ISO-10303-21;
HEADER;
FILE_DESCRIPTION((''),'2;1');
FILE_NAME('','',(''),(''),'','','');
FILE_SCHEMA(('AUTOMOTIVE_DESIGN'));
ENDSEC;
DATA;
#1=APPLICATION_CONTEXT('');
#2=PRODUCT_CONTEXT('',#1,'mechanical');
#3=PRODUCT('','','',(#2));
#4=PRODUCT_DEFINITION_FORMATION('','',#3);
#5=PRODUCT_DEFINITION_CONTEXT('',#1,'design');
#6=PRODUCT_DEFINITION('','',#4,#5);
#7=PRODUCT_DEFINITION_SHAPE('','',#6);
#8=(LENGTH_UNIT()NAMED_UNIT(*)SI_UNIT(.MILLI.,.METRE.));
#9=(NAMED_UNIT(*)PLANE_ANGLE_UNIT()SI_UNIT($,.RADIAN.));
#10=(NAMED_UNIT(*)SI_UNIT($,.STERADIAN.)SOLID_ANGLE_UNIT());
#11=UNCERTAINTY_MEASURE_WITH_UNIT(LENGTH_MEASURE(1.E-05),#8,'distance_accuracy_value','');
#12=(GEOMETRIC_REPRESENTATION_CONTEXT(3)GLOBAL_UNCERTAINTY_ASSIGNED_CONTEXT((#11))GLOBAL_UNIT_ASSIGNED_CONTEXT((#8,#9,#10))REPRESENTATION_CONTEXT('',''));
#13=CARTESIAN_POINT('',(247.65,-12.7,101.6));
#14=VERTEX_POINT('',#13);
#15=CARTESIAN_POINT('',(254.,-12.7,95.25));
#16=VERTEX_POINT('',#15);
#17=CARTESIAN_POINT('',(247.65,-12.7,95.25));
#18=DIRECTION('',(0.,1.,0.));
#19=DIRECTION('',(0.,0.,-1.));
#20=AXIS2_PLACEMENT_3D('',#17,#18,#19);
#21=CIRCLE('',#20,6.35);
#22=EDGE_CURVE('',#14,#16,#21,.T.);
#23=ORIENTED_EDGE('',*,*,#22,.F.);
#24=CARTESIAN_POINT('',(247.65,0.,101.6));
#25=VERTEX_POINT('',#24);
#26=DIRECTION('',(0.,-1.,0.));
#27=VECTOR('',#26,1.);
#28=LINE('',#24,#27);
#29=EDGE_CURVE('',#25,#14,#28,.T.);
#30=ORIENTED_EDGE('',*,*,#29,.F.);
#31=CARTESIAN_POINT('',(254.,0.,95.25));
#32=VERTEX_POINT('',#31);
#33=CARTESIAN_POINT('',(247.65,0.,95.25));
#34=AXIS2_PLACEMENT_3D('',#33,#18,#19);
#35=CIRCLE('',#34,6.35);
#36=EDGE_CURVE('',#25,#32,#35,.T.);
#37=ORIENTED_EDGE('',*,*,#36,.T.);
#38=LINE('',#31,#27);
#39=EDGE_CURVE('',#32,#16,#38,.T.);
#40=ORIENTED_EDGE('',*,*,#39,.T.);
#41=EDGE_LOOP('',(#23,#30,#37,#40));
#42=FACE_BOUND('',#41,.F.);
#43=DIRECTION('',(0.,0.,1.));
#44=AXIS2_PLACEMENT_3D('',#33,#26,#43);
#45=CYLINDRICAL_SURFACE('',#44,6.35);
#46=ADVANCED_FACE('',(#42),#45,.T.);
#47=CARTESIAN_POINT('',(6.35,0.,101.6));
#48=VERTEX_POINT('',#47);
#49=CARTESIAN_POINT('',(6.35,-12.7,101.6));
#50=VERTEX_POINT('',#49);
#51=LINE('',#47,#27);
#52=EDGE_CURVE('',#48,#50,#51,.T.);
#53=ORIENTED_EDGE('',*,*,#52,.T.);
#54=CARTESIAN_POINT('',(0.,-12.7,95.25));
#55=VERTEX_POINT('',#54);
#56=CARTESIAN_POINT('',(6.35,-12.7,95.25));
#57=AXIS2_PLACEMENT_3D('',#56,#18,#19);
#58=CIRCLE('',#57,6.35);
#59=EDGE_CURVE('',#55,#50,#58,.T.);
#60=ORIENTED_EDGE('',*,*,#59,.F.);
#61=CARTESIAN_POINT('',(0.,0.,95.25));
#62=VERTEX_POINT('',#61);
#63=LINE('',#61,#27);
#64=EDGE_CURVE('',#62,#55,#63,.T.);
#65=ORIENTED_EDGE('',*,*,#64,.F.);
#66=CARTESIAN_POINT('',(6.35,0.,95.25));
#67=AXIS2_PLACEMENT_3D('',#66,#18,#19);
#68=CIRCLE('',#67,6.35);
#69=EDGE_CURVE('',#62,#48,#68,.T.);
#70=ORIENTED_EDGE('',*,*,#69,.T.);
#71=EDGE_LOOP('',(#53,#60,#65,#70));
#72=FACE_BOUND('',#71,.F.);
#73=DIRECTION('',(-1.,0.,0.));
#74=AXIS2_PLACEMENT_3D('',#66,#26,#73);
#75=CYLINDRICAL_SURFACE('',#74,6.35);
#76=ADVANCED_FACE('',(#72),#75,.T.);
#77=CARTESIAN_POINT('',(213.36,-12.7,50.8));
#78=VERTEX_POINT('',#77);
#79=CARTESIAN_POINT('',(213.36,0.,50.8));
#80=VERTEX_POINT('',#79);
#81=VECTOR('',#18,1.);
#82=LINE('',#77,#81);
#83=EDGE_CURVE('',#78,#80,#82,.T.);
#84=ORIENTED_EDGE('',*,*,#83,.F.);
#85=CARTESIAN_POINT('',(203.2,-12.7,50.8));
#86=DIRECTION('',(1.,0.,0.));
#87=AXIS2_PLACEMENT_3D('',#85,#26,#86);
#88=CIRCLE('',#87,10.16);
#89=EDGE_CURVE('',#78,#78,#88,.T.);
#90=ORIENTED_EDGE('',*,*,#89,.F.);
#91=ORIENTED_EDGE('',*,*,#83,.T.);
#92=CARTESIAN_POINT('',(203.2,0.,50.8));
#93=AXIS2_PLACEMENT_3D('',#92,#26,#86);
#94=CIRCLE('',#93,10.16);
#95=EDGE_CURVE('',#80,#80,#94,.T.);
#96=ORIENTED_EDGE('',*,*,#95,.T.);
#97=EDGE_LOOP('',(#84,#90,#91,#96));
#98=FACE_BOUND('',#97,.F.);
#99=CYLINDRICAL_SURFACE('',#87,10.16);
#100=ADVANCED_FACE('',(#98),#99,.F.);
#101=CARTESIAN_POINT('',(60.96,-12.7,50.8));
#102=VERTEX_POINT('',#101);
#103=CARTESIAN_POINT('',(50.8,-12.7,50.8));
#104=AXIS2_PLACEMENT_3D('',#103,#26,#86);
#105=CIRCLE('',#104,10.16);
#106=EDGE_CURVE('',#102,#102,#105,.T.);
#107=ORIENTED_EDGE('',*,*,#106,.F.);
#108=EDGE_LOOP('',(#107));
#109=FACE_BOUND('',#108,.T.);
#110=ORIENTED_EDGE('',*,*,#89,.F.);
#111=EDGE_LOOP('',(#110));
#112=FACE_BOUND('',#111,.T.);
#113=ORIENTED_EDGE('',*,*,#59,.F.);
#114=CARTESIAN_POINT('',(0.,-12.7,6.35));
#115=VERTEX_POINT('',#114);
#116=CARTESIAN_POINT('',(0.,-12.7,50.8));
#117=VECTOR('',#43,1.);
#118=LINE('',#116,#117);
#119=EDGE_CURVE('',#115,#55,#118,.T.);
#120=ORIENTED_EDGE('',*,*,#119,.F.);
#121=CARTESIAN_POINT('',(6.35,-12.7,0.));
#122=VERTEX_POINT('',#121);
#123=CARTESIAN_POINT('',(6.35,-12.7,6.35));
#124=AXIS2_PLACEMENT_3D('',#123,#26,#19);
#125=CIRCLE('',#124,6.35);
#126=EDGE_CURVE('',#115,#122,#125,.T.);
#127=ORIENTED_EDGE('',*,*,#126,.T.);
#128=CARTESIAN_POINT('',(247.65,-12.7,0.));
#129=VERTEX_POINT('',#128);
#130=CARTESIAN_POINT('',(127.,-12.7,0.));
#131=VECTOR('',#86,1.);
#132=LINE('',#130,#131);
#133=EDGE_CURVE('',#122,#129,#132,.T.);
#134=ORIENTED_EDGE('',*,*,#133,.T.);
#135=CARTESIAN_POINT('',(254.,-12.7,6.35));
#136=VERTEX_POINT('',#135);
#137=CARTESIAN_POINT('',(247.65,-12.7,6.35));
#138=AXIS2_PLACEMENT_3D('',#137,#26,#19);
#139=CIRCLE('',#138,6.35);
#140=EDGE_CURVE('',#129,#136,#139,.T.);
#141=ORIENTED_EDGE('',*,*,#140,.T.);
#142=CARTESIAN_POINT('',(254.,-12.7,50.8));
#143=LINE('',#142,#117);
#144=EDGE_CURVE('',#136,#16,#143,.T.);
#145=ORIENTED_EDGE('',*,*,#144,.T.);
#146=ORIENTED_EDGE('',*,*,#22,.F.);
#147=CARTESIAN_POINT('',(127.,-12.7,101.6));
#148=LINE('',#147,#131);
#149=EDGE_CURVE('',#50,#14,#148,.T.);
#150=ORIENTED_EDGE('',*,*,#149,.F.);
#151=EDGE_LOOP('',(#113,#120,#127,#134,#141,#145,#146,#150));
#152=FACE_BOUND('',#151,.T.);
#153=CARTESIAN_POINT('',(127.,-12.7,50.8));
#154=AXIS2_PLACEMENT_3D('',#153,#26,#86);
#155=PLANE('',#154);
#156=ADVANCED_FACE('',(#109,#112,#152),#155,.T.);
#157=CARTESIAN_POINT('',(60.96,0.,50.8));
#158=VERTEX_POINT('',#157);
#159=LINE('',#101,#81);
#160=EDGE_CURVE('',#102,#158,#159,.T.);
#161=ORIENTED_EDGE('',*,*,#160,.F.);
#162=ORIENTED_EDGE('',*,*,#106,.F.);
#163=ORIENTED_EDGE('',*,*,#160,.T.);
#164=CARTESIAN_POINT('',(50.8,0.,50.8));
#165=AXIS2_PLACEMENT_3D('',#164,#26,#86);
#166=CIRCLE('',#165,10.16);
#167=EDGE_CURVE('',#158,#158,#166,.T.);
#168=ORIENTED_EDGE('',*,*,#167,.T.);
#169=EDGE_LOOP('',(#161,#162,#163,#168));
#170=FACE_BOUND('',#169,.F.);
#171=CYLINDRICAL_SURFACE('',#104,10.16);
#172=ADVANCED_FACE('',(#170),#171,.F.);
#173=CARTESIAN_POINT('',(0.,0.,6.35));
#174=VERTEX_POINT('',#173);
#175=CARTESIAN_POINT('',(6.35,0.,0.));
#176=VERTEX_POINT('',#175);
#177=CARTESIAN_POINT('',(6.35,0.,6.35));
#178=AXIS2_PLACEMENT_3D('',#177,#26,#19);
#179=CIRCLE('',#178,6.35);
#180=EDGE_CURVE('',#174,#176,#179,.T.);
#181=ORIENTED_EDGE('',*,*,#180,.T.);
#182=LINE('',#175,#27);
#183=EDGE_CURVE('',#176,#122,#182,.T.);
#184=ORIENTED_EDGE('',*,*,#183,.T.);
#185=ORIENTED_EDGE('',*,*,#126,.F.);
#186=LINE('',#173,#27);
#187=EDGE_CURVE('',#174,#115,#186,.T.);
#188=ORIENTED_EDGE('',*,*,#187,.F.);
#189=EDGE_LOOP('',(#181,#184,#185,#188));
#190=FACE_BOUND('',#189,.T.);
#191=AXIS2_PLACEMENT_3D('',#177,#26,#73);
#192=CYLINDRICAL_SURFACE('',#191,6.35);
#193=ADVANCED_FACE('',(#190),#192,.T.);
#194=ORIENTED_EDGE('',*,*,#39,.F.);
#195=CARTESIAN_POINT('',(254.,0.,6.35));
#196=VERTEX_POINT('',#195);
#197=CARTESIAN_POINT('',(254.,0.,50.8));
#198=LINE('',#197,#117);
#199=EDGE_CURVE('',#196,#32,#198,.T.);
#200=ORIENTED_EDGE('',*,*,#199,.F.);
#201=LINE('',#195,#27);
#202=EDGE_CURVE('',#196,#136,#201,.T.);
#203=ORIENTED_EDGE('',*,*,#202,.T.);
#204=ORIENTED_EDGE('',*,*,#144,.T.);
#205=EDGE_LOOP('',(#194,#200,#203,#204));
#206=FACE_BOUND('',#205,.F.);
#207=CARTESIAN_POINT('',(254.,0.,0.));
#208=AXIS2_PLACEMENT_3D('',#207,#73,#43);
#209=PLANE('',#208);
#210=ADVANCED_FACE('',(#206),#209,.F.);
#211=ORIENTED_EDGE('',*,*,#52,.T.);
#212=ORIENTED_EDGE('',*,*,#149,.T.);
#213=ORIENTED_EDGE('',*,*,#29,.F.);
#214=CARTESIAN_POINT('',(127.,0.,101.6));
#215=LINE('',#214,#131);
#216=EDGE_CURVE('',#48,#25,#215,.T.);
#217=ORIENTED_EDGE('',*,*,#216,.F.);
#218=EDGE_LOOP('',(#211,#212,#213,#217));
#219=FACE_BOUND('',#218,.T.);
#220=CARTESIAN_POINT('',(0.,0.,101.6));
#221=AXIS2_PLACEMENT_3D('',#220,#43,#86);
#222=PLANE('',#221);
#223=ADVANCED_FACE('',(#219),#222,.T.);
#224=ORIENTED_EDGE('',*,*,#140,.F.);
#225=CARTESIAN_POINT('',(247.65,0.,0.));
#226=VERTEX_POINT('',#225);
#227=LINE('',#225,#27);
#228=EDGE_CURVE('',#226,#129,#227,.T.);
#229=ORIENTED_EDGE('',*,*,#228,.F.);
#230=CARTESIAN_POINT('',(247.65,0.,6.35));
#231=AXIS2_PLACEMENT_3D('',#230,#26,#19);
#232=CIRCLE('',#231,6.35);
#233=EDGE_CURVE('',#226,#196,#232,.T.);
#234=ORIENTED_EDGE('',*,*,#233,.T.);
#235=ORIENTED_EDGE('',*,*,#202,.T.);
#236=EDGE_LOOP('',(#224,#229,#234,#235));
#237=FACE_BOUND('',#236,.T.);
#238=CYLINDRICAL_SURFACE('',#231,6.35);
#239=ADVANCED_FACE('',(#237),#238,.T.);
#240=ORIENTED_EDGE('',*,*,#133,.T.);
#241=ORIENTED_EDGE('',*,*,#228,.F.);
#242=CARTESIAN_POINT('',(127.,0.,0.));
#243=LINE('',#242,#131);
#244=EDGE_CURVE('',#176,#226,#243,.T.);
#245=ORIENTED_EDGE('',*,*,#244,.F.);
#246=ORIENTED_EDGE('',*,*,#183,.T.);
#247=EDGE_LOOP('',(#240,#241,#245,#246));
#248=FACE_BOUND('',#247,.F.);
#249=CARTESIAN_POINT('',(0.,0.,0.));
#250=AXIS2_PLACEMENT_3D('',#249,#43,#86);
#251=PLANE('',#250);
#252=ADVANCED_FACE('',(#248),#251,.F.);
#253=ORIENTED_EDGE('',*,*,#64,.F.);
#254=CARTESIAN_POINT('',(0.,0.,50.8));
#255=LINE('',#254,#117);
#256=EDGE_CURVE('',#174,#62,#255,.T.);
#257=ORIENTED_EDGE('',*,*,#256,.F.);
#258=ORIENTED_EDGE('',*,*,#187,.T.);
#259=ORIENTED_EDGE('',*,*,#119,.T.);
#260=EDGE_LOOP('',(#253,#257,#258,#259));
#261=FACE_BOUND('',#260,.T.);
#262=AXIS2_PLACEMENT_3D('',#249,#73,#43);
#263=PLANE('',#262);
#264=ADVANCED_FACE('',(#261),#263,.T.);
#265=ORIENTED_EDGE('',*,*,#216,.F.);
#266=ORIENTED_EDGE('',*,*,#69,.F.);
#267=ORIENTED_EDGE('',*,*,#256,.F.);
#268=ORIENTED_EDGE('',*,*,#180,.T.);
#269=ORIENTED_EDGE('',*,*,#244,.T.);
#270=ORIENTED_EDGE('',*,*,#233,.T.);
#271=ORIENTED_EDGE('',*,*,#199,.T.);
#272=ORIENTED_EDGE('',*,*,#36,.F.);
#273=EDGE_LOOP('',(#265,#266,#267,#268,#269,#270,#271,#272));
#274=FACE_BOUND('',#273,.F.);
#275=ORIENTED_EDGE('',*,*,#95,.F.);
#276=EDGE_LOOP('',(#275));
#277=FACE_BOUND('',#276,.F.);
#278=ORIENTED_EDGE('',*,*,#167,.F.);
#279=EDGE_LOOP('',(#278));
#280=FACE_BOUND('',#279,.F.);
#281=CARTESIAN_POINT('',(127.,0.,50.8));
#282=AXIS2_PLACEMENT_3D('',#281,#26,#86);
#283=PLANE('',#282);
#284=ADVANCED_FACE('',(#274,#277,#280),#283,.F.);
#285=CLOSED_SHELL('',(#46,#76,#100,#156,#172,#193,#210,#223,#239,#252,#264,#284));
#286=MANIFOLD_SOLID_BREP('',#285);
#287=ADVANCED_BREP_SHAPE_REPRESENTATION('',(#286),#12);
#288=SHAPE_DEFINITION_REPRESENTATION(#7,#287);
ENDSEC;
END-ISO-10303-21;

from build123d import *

# Parameters (mm, degrees)
F0_W     = 254
F0_H     = 101.6
F1_DEPTH = 12.7
F2_R     = 10.16
F3_DEPTH = 25.4
F4_R     = 6.35


with BuildPart() as f1:
    # F0 (on Front) → F1 (new body)
    with BuildSketch(Plane.XZ):
        with Locations((127, 50.8)):
            Rectangle(F0_W, F0_H)
    extrude(amount=F1_DEPTH)

    # F2 (on face) → F3 (cut)
    with BuildSketch(Plane.XZ.offset(12.7)):
        with Locations((50.8, 50.8)):
            Circle(F2_R)
        with Locations((203.2, 50.8)):
            Circle(F2_R)
    extrude(amount=-F3_DEPTH, mode=Mode.SUBTRACT)

    # F4
    f4_edges = [f1.edges().sort_by_distance(p)[0] for p in [
        (0, -6.35, 101.6),
        (254, -6.35, 101.6),
        (254, -6.35, 0),
        (0, -6.35, 0),
    ]]
    fillet(f4_edges, radius=F4_R)


solid = f1.part
